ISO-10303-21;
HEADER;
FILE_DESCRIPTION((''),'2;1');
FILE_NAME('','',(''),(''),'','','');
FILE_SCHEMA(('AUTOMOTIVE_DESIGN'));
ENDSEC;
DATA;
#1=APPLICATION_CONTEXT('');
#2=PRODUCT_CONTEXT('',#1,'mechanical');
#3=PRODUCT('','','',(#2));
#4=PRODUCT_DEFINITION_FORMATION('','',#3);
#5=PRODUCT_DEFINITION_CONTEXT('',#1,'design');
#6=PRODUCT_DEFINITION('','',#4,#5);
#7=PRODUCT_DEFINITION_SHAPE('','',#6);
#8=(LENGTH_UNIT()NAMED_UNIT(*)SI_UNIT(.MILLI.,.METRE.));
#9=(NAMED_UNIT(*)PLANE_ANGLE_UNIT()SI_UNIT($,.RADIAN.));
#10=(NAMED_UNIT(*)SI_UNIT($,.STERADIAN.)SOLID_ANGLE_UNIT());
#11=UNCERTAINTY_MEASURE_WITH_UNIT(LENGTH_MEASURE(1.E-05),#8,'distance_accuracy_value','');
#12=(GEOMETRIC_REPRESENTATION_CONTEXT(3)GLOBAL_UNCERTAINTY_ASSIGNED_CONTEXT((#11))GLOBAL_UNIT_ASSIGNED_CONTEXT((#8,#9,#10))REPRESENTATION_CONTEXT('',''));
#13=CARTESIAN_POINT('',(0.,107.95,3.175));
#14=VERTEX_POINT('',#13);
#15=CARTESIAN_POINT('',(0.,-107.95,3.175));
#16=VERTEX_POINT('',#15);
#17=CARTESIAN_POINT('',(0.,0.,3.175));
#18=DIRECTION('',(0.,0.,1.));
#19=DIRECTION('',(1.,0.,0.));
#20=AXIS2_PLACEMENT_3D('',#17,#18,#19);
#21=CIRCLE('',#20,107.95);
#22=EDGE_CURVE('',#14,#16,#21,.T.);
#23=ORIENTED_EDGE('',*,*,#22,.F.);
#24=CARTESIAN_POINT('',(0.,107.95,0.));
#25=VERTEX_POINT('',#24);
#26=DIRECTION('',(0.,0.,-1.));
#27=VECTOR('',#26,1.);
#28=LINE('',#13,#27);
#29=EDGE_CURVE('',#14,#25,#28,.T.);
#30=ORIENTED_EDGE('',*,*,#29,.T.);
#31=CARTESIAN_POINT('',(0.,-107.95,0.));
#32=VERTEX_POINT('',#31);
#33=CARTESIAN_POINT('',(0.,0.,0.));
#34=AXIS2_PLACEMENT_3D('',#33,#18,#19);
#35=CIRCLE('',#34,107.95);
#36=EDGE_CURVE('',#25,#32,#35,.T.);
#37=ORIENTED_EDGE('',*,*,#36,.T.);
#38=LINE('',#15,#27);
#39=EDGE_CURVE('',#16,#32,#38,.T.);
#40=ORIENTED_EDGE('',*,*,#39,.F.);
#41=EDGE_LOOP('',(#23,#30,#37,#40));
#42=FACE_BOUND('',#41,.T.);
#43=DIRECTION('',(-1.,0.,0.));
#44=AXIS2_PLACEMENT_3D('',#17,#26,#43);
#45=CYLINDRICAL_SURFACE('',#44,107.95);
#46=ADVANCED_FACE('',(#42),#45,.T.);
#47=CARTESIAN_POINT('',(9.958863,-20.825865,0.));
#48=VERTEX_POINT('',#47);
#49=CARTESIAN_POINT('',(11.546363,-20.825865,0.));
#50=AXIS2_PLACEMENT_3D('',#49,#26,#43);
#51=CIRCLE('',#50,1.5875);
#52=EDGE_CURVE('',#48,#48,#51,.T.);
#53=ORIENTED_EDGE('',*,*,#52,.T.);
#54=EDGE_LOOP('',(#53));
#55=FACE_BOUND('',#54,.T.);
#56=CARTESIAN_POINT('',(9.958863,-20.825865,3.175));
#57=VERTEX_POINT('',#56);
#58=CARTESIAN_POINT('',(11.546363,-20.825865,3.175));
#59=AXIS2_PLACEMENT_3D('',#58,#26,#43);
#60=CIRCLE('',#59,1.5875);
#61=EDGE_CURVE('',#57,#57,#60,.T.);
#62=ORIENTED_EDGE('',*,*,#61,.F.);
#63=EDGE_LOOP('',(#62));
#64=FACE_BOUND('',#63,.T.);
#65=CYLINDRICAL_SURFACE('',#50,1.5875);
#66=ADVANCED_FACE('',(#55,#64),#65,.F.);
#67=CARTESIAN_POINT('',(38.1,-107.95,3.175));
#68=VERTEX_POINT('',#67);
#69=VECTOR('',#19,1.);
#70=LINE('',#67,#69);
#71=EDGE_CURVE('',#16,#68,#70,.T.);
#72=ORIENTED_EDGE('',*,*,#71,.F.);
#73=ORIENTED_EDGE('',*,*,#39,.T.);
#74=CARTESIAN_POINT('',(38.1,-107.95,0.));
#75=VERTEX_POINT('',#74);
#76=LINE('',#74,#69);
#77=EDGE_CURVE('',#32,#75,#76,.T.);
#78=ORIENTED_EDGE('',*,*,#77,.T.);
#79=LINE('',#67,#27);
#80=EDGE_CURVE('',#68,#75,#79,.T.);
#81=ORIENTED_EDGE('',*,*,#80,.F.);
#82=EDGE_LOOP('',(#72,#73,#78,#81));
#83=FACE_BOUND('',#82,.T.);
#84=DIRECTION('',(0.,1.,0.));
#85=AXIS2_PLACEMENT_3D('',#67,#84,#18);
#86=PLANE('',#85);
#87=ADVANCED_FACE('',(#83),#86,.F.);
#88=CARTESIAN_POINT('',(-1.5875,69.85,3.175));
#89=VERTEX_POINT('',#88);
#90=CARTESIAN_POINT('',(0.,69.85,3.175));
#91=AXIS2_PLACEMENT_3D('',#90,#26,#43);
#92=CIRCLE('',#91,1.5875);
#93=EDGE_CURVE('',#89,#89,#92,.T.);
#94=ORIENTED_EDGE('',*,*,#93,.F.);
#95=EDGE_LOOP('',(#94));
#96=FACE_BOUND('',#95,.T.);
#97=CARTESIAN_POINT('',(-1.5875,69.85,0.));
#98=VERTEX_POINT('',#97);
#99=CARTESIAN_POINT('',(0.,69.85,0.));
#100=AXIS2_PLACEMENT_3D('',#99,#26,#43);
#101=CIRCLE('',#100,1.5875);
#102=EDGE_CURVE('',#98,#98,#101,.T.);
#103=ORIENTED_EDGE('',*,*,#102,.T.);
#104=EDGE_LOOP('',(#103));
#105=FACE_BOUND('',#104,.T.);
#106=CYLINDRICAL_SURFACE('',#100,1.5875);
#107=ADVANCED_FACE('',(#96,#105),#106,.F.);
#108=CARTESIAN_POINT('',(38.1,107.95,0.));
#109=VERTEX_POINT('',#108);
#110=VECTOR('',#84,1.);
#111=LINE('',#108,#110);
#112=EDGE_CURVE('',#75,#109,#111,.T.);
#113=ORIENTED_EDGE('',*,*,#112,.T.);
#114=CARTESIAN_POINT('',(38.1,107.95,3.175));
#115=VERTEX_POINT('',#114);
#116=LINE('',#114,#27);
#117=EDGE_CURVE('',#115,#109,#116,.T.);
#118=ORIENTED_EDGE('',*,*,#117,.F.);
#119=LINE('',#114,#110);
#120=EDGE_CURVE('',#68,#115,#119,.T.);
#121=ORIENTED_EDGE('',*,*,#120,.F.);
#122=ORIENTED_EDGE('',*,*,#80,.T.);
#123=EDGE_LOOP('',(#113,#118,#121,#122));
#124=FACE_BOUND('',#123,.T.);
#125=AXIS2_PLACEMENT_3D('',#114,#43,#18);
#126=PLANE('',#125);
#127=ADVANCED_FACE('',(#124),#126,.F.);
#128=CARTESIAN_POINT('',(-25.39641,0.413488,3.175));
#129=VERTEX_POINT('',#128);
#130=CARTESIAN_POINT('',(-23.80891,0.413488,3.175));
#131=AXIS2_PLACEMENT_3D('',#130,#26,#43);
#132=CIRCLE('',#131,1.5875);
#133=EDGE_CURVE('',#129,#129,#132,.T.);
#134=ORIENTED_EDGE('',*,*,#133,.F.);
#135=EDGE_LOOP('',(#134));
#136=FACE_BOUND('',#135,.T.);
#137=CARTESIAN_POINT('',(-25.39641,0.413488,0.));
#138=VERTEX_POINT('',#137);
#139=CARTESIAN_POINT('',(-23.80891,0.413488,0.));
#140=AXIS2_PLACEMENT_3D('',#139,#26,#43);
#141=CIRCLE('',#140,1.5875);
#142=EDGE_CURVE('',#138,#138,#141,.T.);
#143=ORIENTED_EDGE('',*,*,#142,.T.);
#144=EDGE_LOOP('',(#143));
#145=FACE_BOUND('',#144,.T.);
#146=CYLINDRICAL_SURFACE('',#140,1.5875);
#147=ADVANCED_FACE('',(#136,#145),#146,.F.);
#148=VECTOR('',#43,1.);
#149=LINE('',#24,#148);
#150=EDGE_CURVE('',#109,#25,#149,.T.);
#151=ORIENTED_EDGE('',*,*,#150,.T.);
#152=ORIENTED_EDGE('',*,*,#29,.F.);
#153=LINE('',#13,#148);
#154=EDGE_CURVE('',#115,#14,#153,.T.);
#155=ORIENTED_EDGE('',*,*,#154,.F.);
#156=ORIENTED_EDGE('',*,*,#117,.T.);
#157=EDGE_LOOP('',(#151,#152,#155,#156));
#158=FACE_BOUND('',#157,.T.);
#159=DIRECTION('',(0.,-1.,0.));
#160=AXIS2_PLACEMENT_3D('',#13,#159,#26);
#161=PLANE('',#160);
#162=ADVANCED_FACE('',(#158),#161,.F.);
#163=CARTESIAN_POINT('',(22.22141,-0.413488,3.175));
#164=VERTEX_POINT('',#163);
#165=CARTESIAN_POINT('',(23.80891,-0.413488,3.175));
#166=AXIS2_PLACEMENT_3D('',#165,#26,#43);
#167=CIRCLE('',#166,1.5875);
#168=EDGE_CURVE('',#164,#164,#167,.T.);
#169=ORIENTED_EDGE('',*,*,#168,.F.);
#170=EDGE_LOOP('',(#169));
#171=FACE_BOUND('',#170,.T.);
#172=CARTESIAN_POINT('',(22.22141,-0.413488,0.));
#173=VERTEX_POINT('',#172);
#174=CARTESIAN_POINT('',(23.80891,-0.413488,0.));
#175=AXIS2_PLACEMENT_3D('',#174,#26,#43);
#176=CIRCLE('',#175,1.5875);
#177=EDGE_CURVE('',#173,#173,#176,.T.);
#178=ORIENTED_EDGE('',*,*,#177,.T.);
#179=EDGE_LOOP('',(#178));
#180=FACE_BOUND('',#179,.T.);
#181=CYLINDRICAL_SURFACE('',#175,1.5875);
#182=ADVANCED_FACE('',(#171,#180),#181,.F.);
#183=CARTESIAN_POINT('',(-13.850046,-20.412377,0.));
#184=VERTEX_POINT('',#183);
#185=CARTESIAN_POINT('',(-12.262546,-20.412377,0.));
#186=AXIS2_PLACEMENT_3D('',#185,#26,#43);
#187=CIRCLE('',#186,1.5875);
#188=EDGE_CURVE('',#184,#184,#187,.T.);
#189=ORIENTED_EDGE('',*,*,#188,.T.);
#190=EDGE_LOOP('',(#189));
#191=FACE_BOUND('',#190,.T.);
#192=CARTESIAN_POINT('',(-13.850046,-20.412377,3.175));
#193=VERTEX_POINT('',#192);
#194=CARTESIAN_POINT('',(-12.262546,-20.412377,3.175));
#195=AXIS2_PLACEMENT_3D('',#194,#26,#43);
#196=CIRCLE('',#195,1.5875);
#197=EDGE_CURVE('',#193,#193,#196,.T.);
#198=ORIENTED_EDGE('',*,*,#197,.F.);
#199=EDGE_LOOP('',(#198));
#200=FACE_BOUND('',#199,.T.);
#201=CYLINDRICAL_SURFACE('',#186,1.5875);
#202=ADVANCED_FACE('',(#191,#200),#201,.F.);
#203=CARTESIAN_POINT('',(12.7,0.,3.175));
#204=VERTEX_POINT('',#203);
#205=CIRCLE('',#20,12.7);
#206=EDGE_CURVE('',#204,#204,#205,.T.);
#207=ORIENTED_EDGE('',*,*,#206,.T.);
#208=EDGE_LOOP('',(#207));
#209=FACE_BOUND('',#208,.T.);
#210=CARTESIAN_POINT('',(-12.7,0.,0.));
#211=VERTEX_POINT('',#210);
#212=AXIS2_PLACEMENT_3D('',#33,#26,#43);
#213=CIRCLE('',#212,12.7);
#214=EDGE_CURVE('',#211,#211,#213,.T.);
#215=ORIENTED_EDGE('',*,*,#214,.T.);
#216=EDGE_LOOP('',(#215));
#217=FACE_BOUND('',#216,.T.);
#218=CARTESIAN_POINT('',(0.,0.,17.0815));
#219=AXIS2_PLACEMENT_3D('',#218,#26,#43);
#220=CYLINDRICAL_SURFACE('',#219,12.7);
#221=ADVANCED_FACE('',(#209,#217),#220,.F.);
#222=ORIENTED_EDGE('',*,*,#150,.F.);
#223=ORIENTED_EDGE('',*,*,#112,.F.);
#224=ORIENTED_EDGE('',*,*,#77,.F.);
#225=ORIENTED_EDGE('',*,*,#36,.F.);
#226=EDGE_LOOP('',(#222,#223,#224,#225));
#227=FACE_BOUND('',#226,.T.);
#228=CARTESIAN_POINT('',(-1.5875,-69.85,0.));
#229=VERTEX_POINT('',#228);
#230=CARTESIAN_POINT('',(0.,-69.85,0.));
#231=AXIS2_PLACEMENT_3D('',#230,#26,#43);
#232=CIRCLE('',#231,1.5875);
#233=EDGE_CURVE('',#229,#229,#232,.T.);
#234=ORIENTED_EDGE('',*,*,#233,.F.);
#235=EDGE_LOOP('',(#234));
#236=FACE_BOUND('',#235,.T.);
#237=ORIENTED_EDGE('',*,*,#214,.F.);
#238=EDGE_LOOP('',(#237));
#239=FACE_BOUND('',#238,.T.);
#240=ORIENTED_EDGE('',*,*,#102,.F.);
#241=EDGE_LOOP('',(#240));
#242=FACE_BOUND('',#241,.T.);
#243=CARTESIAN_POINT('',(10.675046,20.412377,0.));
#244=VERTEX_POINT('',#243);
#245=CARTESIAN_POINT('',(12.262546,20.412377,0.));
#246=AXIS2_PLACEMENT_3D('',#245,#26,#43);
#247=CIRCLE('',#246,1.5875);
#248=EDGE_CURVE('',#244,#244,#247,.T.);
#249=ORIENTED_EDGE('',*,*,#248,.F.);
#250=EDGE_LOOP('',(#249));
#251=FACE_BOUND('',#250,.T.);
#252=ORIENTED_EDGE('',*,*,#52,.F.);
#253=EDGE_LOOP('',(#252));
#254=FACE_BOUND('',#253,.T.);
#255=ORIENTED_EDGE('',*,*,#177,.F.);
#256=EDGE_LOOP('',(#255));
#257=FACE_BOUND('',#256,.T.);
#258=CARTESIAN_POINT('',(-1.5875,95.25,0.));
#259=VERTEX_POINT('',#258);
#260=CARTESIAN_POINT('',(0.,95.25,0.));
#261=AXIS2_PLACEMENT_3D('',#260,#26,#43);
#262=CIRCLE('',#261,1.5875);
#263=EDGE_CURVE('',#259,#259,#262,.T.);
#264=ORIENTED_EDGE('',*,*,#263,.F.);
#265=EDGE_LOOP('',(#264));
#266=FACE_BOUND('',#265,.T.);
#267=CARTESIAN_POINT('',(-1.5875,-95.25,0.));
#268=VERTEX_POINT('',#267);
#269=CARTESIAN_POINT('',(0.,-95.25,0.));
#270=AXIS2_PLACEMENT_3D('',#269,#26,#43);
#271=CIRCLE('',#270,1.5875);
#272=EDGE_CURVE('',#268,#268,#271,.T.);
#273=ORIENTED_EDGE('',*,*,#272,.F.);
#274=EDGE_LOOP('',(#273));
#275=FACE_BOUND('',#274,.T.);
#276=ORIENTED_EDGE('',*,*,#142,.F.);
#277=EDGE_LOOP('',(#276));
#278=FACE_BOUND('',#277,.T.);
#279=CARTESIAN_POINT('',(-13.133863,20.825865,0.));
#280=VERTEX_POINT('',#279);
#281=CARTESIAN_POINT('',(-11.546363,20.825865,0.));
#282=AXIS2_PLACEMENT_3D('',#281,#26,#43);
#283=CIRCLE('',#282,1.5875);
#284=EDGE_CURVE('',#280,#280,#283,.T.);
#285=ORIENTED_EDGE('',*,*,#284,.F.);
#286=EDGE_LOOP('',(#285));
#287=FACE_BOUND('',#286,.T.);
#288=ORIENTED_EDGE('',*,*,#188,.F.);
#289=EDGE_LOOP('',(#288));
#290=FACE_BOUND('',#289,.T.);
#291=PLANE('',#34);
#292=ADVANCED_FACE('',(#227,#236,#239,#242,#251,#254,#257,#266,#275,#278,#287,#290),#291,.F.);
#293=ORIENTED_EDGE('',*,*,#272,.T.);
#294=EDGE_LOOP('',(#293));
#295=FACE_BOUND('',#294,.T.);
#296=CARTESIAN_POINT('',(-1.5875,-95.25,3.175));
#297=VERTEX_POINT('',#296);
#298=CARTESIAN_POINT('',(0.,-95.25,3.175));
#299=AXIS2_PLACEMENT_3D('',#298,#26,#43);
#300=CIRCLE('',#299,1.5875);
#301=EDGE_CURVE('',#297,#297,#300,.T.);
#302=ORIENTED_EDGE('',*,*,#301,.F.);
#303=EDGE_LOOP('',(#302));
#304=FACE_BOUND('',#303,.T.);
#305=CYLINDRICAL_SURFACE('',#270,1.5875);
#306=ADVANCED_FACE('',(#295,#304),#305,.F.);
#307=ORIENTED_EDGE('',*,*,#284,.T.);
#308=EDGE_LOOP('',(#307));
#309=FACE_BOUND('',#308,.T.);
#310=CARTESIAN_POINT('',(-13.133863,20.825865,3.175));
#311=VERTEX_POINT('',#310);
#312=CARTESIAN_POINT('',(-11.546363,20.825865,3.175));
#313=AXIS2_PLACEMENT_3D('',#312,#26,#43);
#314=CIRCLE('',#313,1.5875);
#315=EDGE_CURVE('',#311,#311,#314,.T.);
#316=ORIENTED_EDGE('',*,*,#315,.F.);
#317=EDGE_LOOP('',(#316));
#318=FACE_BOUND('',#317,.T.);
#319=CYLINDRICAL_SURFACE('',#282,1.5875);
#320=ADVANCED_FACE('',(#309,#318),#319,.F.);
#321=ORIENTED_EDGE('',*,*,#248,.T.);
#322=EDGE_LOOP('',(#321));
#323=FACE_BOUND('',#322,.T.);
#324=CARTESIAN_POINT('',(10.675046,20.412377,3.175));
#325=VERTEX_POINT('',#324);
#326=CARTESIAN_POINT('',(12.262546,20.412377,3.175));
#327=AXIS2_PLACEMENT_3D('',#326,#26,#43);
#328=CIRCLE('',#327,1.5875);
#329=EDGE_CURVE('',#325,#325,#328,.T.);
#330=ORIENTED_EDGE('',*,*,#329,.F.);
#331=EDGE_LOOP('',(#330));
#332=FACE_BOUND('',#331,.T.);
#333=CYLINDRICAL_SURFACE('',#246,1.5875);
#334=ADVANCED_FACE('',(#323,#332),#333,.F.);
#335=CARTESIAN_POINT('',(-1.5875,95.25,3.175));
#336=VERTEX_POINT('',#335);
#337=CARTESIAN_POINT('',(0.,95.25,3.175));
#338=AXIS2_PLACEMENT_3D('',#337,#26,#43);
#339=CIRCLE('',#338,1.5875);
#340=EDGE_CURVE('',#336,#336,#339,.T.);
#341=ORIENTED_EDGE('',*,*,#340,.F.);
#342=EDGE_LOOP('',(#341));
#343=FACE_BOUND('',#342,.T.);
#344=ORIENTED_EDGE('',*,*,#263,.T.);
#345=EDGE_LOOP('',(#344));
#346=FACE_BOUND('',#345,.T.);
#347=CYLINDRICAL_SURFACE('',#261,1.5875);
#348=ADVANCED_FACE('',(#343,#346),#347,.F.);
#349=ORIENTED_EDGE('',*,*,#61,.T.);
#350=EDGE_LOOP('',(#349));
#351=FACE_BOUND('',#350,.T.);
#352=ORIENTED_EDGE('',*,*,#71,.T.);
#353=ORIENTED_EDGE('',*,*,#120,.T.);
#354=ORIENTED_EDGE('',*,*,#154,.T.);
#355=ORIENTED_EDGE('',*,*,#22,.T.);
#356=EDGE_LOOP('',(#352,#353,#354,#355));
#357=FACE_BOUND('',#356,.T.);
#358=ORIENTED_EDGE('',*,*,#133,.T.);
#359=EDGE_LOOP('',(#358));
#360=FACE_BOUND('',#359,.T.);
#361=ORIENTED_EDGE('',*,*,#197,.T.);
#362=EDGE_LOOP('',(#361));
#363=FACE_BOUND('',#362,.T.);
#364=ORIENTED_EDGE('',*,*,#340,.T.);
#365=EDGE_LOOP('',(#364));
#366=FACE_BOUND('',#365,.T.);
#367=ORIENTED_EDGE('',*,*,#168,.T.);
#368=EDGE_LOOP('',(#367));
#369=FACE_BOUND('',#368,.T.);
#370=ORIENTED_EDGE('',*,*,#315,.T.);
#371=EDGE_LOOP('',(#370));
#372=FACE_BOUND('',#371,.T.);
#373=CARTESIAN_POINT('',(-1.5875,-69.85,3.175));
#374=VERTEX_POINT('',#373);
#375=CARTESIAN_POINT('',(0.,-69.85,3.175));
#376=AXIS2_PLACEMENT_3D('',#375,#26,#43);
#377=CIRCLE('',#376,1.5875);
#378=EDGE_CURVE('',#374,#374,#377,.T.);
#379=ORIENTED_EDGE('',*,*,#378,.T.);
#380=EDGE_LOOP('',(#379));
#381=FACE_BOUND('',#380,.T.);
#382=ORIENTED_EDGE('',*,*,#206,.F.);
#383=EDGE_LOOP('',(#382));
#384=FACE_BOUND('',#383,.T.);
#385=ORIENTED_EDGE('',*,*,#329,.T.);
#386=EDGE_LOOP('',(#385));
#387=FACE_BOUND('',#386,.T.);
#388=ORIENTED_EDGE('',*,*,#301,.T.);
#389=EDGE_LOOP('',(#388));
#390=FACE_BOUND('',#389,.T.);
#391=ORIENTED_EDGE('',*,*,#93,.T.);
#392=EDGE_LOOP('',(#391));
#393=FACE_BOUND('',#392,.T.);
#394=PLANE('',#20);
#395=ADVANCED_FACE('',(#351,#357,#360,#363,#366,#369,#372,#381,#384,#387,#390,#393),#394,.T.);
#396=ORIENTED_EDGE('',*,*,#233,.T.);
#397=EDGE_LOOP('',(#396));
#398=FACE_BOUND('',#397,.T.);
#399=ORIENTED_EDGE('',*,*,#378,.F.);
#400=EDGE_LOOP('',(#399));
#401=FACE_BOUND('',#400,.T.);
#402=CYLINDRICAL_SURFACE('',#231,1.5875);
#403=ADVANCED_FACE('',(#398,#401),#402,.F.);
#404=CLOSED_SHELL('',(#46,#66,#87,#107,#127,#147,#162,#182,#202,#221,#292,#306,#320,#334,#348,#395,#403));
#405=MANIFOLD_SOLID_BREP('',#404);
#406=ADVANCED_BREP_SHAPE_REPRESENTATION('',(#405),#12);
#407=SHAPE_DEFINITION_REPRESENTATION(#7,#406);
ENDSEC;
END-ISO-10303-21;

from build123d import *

# Parameters (mm, degrees)
BOSS_EXTRUDE1_DEPTH          = 3.175
F_1_8_0_125_DIAMETER_HOLE1_D = 3.175
SKETCH6_R                    = 12.7
CUT_EXTRUDE1_DEPTH           = 17.0815


with BuildPart() as part:
    # Sketch1 → Boss-Extrude1 (new body)
    with BuildSketch(Plane.XY):
        with BuildLine():
            Line((0, 107.95), (38.1, 107.95))
            Line((38.1, 107.95), (38.1, -107.95))
            Line((38.1, -107.95), (0, -107.95))
            ThreePointArc((0, -107.95), (-107.95, 0), (0, 107.95))
        make_face()
    extrude(amount=BOSS_EXTRUDE1_DEPTH)

    # 1/8 (0.125) Diameter Hole1 (through all)
    with Locations(Plane(origin=(0, 0, 0), x_dir=(-1, 0, 0), z_dir=(0, 0, -1))):
        with Locations((12.262546259, -20.412376527), (0, 95.25), (0, -95.25), (0, -69.85), (0, 69.85), (0, 0), (23.808909754, 0.413488312), (11.546363494, 20.825864839), (-12.262546259, 20.412376527), (-23.808909754, -0.413488312), (-11.546363494, -20.825864839)):
            Hole(F_1_8_0_125_DIAMETER_HOLE1_D / 2)

    # Sketch6 → Cut-Extrude1 (cut)
    with BuildSketch(Plane(origin=(0, 0, 0), x_dir=(-1, 0, 0), z_dir=(0, 0, -1))):
        Circle(SKETCH6_R)
    extrude(amount=-CUT_EXTRUDE1_DEPTH, mode=Mode.SUBTRACT)


solid = part.part
